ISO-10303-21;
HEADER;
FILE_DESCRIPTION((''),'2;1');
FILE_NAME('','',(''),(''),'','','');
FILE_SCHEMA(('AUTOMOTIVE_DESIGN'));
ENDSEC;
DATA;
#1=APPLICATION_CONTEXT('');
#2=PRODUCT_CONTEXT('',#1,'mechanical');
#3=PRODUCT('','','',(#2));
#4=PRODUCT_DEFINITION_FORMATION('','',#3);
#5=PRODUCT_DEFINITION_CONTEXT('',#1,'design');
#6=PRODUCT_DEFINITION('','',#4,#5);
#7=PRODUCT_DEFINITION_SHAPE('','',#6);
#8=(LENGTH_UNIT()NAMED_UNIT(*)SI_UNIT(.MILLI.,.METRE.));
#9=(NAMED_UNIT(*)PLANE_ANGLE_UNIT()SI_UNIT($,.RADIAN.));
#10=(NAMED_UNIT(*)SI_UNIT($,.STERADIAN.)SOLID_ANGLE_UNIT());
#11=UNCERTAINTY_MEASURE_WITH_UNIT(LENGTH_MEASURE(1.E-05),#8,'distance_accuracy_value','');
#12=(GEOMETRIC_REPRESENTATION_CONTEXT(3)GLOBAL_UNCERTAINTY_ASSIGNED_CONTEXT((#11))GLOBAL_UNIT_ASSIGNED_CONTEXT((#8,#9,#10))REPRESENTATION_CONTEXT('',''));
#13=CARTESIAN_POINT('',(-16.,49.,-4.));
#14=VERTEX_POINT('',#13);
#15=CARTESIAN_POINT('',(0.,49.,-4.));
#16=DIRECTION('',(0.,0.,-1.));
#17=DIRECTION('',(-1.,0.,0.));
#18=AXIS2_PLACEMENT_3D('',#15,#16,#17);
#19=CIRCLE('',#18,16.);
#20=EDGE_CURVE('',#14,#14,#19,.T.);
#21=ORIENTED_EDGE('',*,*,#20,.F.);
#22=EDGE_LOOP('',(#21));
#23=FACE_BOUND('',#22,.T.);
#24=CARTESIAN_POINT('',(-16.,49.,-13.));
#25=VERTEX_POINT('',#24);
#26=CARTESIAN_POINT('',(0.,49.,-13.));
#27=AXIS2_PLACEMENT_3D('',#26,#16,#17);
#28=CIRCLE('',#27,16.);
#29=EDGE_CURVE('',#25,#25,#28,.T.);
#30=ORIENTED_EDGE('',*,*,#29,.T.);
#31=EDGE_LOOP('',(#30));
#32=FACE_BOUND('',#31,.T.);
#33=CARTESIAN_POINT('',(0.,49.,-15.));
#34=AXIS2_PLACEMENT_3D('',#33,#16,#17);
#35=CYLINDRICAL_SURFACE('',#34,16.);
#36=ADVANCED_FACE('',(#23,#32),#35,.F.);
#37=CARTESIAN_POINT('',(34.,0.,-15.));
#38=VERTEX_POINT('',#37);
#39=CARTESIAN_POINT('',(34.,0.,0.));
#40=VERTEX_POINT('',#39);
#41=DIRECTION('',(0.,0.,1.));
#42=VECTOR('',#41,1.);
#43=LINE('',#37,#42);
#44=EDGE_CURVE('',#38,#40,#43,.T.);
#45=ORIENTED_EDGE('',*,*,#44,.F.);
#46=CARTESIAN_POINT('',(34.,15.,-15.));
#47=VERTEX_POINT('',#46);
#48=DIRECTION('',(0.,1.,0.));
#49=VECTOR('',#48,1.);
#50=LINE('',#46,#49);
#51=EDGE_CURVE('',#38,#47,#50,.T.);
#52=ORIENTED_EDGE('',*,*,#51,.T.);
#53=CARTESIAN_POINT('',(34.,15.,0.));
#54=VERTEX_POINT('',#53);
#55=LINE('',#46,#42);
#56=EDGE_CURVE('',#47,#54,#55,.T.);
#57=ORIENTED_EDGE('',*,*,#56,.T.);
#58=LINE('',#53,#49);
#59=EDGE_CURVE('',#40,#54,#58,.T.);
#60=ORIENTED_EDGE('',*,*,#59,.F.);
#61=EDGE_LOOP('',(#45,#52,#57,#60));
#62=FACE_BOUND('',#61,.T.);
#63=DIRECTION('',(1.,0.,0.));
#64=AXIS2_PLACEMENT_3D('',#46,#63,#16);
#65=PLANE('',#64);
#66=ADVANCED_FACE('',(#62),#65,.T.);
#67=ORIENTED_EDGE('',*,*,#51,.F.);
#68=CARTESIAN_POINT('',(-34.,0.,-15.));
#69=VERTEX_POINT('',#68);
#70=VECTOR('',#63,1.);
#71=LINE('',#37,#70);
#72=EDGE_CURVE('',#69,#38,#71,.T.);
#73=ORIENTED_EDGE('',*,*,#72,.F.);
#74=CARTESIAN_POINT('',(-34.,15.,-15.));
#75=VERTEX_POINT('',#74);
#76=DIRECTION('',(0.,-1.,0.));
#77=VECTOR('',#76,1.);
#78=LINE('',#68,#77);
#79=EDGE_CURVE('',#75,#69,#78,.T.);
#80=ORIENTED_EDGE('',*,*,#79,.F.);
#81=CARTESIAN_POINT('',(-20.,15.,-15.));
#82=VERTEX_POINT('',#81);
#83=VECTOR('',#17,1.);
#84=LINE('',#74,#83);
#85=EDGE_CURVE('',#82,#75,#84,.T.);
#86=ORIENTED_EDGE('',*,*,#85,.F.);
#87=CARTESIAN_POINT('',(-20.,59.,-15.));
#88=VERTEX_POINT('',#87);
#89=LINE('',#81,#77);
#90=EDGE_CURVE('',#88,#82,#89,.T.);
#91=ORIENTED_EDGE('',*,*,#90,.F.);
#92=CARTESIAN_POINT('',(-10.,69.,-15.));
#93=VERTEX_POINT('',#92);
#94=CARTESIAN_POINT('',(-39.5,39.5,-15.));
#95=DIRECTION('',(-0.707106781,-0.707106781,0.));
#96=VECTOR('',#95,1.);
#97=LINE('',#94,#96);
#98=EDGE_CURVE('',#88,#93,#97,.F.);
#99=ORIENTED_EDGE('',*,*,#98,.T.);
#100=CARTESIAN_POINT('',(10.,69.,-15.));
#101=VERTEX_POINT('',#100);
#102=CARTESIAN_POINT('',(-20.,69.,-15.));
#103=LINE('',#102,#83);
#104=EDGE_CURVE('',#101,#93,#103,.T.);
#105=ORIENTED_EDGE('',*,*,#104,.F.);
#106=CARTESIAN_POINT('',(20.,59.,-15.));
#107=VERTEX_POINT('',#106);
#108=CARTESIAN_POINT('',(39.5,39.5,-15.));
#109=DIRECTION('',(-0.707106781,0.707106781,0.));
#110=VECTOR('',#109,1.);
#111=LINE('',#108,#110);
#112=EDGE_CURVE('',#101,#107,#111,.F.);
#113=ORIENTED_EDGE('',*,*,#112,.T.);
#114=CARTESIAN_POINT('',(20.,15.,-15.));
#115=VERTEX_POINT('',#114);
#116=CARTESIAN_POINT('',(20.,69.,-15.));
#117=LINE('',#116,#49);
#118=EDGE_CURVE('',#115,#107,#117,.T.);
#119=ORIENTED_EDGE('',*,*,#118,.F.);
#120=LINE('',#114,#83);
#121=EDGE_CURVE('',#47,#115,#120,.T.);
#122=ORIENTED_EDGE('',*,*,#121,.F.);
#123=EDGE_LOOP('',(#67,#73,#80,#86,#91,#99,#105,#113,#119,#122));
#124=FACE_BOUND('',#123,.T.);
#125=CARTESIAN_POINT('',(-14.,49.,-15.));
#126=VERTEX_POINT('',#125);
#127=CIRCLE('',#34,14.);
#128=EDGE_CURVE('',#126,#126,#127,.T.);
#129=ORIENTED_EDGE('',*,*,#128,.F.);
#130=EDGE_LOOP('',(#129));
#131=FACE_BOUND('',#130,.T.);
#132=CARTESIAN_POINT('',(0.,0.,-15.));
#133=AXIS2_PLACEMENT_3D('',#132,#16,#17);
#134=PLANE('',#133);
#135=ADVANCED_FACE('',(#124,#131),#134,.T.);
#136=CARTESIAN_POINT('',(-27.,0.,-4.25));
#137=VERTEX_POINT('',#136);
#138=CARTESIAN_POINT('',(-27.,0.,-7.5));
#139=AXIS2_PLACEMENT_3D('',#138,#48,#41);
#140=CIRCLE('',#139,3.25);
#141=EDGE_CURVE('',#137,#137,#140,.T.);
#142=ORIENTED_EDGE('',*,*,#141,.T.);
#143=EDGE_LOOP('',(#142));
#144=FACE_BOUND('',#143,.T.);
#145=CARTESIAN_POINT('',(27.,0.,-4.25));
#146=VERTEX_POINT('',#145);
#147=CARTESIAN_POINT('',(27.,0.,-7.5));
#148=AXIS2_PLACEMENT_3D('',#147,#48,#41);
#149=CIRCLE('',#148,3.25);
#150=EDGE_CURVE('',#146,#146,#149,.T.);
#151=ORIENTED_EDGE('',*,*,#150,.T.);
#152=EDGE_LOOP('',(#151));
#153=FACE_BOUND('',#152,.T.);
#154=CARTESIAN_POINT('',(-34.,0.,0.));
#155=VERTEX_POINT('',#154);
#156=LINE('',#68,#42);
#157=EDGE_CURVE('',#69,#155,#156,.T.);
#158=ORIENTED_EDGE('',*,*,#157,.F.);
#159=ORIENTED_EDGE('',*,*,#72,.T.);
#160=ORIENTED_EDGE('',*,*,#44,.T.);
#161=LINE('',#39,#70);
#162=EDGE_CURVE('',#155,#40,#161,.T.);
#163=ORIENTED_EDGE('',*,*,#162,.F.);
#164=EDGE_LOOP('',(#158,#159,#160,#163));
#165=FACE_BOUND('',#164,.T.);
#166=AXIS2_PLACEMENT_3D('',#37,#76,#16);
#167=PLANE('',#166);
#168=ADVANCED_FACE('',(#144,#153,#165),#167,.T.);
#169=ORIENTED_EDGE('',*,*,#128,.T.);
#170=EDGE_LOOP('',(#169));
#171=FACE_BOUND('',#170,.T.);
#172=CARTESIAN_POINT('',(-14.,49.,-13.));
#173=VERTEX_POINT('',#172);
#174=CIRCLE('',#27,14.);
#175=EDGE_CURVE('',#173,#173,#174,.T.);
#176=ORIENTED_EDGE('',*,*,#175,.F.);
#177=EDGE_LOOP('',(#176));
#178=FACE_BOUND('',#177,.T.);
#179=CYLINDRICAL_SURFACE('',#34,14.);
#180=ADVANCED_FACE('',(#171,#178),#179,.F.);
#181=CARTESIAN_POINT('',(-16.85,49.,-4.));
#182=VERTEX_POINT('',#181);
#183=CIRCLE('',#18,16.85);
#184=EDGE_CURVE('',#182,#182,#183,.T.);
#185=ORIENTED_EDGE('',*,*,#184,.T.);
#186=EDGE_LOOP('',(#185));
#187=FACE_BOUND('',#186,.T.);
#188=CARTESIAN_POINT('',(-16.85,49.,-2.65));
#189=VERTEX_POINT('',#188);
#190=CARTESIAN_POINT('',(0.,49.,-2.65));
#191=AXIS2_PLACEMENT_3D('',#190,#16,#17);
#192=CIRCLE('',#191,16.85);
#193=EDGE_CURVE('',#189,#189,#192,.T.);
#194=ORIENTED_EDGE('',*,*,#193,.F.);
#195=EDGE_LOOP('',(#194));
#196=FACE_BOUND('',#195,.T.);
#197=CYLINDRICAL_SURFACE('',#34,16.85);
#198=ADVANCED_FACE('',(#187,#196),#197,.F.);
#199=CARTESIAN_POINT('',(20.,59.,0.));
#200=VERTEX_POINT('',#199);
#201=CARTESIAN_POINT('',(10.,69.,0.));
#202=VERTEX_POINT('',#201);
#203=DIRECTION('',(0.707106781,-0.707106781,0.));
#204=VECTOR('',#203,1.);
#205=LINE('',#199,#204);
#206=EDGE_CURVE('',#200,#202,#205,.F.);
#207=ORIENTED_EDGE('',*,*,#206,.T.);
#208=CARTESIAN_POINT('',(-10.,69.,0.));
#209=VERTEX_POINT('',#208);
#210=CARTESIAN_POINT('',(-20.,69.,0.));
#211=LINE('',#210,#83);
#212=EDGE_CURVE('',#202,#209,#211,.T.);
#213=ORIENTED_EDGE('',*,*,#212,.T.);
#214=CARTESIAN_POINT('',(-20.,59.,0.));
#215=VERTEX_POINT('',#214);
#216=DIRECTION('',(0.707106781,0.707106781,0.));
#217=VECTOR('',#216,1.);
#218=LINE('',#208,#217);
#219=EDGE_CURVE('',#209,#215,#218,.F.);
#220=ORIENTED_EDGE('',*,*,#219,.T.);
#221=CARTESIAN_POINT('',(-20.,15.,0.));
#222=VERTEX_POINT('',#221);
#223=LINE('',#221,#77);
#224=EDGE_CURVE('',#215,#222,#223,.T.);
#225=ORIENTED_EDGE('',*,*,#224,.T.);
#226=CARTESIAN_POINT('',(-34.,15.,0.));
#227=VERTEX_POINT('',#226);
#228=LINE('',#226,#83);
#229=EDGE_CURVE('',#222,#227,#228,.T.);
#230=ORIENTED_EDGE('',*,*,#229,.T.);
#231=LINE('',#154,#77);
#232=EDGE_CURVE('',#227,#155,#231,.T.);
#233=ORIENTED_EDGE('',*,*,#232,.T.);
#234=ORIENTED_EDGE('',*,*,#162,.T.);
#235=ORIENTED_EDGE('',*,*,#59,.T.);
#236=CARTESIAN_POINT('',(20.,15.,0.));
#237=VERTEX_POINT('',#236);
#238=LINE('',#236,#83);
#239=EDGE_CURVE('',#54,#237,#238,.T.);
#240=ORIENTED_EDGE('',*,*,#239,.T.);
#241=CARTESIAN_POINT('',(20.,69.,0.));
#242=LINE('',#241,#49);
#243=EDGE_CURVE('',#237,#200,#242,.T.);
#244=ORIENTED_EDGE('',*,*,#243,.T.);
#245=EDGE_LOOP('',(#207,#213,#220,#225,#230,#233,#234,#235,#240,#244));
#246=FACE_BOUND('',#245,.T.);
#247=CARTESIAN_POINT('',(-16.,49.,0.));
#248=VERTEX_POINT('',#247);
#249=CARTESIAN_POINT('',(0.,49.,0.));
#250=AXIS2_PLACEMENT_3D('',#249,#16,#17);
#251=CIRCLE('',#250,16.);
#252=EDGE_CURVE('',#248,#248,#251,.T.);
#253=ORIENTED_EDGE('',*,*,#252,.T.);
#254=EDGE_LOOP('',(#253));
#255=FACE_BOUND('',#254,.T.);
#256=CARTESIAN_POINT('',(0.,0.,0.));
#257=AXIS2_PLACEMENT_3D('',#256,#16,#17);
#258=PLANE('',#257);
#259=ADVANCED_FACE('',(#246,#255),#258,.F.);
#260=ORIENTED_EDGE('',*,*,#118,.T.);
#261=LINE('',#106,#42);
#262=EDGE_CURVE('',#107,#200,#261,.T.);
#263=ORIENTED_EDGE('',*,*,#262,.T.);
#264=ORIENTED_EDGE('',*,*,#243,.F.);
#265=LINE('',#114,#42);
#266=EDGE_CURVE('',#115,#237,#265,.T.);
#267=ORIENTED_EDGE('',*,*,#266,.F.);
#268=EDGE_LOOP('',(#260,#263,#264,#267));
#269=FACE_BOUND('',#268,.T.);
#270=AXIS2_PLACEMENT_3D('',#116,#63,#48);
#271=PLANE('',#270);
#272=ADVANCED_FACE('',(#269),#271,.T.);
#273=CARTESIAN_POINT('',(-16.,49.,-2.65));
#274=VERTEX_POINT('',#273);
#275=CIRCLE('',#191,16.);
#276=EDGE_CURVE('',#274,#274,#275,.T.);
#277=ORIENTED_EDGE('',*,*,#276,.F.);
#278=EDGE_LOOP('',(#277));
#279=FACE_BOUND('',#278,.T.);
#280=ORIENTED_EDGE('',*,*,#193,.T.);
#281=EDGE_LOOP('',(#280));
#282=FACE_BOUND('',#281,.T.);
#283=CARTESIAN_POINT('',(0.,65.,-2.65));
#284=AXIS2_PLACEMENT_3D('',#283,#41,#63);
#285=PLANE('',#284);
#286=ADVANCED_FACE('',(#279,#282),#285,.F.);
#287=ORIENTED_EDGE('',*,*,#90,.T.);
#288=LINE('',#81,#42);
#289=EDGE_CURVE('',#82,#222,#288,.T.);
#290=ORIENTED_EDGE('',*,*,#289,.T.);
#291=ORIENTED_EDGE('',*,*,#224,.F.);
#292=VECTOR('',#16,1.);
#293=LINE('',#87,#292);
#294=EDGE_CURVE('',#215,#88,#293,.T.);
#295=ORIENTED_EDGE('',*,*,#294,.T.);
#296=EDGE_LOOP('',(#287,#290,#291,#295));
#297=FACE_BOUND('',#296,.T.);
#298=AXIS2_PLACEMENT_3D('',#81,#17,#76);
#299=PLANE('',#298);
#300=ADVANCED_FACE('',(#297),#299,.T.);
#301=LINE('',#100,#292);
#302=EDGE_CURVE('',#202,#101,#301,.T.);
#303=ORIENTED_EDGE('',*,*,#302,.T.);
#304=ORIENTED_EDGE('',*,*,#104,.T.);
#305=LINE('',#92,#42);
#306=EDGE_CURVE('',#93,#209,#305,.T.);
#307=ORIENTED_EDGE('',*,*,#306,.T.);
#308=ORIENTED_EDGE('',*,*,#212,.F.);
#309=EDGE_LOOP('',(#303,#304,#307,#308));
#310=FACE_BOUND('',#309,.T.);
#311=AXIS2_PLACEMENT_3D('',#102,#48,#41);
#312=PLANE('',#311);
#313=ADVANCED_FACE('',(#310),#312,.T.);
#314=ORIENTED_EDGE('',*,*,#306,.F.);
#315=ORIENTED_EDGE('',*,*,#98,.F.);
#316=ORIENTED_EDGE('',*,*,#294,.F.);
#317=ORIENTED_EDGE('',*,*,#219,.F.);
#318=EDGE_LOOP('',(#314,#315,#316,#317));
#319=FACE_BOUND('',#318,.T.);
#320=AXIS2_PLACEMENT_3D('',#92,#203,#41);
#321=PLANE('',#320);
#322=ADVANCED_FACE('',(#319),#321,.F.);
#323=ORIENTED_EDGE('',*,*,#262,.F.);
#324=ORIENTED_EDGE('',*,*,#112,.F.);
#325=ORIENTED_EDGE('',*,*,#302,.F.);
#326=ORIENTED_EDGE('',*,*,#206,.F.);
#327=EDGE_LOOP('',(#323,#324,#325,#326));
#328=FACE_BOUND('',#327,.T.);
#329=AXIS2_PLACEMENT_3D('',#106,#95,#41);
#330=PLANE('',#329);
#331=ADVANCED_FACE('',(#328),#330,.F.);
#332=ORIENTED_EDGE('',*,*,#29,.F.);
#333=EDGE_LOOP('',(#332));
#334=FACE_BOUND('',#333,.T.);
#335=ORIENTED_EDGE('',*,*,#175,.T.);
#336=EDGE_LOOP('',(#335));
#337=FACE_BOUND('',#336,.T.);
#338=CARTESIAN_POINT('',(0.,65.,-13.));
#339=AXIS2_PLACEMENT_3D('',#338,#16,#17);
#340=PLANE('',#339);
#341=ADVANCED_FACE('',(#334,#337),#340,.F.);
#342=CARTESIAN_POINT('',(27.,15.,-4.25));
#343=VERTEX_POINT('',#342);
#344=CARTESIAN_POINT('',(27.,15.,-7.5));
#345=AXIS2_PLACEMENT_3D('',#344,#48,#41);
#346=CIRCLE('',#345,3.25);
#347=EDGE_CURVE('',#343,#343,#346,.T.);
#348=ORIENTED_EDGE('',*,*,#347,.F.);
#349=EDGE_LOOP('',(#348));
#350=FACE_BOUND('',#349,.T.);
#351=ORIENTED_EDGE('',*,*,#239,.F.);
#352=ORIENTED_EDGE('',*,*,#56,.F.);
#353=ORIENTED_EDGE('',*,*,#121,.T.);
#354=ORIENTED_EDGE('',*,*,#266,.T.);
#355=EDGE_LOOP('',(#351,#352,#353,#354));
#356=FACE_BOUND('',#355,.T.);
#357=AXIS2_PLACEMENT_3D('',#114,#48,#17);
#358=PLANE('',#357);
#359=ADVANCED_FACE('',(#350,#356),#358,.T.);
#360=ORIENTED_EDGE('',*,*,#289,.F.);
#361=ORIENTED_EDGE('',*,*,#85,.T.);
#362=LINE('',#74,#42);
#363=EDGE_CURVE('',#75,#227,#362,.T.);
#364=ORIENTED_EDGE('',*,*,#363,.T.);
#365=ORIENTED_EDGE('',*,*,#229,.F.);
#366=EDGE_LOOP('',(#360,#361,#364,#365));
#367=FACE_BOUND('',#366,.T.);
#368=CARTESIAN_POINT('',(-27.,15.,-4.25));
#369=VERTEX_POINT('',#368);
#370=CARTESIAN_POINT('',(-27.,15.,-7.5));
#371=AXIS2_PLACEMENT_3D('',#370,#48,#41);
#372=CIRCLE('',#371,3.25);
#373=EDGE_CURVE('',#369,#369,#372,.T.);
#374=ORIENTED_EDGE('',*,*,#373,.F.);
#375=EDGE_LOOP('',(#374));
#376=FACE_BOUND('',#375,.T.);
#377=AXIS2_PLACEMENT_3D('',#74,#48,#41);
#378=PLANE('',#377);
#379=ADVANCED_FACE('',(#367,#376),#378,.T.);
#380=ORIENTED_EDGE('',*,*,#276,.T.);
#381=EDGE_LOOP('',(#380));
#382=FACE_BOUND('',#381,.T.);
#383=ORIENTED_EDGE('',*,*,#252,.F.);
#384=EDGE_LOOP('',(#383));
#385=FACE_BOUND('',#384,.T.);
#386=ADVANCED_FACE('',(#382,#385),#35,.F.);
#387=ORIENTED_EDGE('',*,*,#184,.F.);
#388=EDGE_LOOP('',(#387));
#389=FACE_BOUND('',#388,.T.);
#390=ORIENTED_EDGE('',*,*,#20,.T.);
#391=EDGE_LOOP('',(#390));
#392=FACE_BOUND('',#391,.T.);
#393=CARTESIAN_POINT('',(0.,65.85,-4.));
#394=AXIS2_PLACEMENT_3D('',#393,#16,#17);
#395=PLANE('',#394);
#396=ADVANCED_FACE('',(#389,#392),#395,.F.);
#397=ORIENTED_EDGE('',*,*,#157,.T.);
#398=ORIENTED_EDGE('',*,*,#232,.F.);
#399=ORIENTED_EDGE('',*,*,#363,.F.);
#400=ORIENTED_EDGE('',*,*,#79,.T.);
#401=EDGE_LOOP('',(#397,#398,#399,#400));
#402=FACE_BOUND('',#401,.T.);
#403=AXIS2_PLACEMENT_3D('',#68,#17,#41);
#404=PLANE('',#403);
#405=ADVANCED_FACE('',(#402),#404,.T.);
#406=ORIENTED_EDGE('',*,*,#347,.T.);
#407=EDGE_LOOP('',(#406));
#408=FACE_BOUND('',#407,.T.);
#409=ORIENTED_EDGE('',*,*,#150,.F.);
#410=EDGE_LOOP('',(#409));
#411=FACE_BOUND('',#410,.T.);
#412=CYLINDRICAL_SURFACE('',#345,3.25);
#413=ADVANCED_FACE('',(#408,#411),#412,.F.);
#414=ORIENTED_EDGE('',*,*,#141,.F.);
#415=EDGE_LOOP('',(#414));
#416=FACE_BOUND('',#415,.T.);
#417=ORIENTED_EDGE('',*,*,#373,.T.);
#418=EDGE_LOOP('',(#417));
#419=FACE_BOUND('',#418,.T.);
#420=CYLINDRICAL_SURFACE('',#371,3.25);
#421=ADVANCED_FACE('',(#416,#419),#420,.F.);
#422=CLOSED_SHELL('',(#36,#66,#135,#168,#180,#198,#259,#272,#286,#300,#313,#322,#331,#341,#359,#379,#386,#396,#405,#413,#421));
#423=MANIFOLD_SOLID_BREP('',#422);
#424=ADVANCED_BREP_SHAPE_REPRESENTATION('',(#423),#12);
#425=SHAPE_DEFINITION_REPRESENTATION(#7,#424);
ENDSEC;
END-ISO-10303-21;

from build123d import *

# Parameters (mm, degrees)
BOSS_EXTRUDE1_DEPTH = 15
DIAMETER_HOLE1_D    = 6.5
CHAMFER1_SIZE       = 10


with BuildPart() as part:
    # Sketch1 → Boss-Extrude1 (new body)
    with BuildSketch(Plane.XY):
        Polygon((-20, 69), (20, 69), (20, 15), (34, 15), (34, 0), (-34, 0), (-34, 15), (-20, 15), align=None)
    extrude(amount=-BOSS_EXTRUDE1_DEPTH)

    # Sketch2 → Cut-Revolve1 (revolve, cut)
    with BuildSketch(Plane(origin=(0, 0, 0), x_dir=(0, 0, -1), z_dir=(1, 0, 0))):
        Polygon((2.65, 65), (2.65, 65.85), (4, 65.85), (4, 65), (13, 65), (13, 63), (15, 63), (15, 49), (0, 49), (0, 65), align=None)
    revolve(axis=Axis((0, 49, -15), (0, 0, 1)), mode=Mode.SUBTRACT)

    # Diameter Hole1 (through all)
    with Locations(Plane(origin=(0, 15, 0), x_dir=(1, 0, 0), z_dir=(0, 1, 0))):
        with Locations((-27, 7.5), (27, 7.5)):
            Hole(DIAMETER_HOLE1_D / 2)

    # Chamfer1
    chamfer1_edges = [part.edges().sort_by_distance(p)[0] for p in [
        (-20, 69, -7.5),
        (20, 69, -7.5),
    ]]
    chamfer(chamfer1_edges, length=CHAMFER1_SIZE)


solid = part.part
